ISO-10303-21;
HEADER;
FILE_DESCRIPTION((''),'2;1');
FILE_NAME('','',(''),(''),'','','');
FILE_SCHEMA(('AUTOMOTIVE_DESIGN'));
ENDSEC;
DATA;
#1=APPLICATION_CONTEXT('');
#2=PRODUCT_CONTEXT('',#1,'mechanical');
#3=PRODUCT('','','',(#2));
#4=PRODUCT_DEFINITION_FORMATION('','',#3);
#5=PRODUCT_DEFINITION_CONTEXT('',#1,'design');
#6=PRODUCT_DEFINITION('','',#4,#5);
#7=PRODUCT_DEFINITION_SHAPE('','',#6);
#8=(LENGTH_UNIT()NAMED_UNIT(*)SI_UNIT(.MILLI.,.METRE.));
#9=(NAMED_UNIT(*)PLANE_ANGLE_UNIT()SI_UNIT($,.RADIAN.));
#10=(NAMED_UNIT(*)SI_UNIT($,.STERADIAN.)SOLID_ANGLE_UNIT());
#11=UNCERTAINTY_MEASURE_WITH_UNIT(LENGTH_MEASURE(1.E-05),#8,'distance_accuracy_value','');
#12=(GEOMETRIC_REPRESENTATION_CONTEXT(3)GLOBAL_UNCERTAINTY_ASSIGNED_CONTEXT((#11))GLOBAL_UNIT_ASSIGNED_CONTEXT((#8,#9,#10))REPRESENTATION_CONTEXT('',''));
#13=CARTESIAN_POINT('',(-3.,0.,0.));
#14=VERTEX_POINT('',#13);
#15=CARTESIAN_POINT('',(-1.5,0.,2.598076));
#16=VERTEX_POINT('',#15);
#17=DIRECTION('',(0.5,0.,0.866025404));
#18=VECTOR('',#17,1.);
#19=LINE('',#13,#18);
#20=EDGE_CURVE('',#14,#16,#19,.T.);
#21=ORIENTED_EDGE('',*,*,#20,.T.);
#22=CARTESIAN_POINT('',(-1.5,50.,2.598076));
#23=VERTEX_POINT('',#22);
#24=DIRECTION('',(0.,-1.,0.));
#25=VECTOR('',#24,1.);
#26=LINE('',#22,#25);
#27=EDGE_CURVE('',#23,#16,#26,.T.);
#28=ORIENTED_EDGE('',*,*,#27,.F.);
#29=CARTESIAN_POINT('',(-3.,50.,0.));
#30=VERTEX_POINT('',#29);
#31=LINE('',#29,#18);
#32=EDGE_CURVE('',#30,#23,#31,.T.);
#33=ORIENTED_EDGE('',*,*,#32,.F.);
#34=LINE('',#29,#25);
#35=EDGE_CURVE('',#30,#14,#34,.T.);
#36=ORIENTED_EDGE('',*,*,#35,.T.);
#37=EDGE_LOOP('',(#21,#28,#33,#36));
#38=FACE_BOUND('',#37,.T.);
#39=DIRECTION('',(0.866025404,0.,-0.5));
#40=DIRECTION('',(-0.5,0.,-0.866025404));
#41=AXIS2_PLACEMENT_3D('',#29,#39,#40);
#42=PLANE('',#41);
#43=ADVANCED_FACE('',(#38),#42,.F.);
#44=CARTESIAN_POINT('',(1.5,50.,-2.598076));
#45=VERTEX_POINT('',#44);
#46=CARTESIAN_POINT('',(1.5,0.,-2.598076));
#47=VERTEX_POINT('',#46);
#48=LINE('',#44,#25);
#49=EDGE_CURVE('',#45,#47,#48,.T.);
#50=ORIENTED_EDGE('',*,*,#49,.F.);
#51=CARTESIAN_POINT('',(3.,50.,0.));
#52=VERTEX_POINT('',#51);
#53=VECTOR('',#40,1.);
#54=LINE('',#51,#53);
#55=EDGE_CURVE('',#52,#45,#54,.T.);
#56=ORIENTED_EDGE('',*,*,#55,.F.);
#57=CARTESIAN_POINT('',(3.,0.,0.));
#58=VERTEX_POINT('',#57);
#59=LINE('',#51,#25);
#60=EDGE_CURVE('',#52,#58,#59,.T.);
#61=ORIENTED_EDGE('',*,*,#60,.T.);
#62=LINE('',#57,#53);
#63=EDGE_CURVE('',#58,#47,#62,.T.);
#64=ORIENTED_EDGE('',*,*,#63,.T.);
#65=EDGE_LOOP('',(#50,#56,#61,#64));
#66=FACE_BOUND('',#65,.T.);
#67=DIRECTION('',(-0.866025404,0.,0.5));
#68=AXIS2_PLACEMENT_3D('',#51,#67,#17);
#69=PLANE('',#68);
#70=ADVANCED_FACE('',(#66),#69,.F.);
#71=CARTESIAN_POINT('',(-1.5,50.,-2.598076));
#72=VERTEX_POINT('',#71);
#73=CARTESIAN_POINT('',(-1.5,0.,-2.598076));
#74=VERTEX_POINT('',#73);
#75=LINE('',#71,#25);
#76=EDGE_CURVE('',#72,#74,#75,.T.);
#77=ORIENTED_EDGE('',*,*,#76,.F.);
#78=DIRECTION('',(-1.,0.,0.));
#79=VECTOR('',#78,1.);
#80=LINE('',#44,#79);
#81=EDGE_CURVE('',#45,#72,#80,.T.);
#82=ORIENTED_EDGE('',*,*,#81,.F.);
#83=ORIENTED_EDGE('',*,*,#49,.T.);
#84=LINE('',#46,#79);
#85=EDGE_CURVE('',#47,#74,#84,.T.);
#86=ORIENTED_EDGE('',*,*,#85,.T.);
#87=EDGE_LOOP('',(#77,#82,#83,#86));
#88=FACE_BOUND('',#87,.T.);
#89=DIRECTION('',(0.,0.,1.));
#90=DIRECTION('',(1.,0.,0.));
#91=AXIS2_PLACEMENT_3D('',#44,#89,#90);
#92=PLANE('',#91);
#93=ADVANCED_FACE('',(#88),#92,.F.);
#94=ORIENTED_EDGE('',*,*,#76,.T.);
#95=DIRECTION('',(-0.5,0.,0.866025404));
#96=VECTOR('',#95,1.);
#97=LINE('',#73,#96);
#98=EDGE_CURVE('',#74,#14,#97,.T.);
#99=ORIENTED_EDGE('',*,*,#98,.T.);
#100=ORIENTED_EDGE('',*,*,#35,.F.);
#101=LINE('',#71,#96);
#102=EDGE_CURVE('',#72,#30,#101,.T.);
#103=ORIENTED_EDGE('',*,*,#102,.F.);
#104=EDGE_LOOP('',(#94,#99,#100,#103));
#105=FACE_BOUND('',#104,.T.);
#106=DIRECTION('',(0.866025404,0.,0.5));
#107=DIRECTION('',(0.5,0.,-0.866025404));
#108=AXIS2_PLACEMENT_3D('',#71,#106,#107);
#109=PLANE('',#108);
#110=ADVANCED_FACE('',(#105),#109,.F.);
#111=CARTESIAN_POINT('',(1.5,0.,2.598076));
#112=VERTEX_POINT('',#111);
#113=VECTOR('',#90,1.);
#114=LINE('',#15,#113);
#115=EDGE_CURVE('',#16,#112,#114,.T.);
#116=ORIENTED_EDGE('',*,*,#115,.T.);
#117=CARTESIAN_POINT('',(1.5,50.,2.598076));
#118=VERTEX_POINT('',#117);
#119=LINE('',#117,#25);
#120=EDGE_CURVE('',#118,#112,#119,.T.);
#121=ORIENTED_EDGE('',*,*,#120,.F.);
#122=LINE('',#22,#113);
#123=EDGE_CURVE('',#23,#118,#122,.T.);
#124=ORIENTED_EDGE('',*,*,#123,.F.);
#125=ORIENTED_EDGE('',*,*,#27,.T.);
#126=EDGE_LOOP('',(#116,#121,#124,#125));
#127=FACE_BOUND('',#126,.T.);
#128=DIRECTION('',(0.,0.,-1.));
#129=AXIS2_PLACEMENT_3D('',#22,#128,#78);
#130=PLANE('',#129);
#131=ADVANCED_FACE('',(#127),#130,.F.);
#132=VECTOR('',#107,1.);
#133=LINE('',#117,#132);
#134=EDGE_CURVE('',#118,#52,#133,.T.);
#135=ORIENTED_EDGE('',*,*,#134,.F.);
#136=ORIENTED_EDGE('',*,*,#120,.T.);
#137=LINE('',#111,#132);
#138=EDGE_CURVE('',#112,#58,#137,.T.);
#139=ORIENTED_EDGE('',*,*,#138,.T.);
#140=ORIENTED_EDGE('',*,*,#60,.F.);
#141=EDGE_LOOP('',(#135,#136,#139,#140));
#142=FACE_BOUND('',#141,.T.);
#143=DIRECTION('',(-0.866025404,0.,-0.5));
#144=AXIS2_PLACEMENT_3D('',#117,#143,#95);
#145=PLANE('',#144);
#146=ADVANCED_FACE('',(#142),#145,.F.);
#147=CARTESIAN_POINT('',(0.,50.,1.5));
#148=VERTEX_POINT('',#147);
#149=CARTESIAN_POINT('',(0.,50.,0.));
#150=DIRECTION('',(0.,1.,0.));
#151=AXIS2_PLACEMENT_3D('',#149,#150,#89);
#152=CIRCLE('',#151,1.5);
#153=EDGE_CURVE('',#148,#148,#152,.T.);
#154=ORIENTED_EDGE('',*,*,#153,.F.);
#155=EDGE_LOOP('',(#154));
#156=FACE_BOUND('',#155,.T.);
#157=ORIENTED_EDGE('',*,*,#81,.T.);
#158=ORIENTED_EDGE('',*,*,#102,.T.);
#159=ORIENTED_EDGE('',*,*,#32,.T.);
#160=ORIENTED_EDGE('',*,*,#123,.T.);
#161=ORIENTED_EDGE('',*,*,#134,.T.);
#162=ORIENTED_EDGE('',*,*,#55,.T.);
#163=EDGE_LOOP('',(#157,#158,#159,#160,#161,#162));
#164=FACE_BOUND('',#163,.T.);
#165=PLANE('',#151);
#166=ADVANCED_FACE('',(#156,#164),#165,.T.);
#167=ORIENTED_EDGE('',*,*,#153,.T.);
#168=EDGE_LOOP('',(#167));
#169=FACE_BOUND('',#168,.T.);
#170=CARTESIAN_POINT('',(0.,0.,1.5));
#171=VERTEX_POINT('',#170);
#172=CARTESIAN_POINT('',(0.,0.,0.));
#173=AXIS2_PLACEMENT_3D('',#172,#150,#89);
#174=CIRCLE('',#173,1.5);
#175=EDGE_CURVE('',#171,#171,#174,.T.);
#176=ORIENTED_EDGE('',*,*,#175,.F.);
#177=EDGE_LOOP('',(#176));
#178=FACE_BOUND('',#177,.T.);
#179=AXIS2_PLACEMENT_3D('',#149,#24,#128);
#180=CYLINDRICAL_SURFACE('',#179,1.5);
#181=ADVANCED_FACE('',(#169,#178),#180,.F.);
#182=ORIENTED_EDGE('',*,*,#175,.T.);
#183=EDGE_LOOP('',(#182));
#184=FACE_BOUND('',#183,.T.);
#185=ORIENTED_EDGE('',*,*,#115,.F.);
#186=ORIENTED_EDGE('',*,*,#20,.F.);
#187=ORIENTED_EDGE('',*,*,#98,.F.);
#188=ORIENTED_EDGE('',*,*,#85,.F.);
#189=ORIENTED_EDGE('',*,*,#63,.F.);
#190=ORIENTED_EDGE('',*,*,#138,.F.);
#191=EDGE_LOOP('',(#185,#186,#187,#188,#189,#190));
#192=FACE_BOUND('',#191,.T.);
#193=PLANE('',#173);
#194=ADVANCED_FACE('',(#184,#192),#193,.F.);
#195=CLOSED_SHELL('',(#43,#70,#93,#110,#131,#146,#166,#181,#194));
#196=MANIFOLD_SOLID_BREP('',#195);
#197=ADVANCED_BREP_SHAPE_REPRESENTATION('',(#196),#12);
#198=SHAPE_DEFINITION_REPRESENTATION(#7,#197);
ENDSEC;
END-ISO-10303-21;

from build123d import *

# Parameters (mm, degrees)
SKETCH1_R           = 1.5
BOSS_EXTRUDE1_DEPTH = 50


with BuildPart() as part:
    # Sketch1 → Boss-Extrude1 (new body)
    with BuildSketch(Plane(origin=(0, 0, 0), x_dir=(1, 0, 0), z_dir=(0, 1, 0))):
        Polygon((3, 0), (1.5, 2.598076211), (-1.5, 2.598076211), (-3, 0), (-1.5, -2.598076211), (1.5, -2.598076211), align=None)
        with Locations(Location((0, 0, 0), (0, 0, 270))):
            Circle(SKETCH1_R, mode=Mode.SUBTRACT)
    extrude(amount=BOSS_EXTRUDE1_DEPTH)


solid = part.part
